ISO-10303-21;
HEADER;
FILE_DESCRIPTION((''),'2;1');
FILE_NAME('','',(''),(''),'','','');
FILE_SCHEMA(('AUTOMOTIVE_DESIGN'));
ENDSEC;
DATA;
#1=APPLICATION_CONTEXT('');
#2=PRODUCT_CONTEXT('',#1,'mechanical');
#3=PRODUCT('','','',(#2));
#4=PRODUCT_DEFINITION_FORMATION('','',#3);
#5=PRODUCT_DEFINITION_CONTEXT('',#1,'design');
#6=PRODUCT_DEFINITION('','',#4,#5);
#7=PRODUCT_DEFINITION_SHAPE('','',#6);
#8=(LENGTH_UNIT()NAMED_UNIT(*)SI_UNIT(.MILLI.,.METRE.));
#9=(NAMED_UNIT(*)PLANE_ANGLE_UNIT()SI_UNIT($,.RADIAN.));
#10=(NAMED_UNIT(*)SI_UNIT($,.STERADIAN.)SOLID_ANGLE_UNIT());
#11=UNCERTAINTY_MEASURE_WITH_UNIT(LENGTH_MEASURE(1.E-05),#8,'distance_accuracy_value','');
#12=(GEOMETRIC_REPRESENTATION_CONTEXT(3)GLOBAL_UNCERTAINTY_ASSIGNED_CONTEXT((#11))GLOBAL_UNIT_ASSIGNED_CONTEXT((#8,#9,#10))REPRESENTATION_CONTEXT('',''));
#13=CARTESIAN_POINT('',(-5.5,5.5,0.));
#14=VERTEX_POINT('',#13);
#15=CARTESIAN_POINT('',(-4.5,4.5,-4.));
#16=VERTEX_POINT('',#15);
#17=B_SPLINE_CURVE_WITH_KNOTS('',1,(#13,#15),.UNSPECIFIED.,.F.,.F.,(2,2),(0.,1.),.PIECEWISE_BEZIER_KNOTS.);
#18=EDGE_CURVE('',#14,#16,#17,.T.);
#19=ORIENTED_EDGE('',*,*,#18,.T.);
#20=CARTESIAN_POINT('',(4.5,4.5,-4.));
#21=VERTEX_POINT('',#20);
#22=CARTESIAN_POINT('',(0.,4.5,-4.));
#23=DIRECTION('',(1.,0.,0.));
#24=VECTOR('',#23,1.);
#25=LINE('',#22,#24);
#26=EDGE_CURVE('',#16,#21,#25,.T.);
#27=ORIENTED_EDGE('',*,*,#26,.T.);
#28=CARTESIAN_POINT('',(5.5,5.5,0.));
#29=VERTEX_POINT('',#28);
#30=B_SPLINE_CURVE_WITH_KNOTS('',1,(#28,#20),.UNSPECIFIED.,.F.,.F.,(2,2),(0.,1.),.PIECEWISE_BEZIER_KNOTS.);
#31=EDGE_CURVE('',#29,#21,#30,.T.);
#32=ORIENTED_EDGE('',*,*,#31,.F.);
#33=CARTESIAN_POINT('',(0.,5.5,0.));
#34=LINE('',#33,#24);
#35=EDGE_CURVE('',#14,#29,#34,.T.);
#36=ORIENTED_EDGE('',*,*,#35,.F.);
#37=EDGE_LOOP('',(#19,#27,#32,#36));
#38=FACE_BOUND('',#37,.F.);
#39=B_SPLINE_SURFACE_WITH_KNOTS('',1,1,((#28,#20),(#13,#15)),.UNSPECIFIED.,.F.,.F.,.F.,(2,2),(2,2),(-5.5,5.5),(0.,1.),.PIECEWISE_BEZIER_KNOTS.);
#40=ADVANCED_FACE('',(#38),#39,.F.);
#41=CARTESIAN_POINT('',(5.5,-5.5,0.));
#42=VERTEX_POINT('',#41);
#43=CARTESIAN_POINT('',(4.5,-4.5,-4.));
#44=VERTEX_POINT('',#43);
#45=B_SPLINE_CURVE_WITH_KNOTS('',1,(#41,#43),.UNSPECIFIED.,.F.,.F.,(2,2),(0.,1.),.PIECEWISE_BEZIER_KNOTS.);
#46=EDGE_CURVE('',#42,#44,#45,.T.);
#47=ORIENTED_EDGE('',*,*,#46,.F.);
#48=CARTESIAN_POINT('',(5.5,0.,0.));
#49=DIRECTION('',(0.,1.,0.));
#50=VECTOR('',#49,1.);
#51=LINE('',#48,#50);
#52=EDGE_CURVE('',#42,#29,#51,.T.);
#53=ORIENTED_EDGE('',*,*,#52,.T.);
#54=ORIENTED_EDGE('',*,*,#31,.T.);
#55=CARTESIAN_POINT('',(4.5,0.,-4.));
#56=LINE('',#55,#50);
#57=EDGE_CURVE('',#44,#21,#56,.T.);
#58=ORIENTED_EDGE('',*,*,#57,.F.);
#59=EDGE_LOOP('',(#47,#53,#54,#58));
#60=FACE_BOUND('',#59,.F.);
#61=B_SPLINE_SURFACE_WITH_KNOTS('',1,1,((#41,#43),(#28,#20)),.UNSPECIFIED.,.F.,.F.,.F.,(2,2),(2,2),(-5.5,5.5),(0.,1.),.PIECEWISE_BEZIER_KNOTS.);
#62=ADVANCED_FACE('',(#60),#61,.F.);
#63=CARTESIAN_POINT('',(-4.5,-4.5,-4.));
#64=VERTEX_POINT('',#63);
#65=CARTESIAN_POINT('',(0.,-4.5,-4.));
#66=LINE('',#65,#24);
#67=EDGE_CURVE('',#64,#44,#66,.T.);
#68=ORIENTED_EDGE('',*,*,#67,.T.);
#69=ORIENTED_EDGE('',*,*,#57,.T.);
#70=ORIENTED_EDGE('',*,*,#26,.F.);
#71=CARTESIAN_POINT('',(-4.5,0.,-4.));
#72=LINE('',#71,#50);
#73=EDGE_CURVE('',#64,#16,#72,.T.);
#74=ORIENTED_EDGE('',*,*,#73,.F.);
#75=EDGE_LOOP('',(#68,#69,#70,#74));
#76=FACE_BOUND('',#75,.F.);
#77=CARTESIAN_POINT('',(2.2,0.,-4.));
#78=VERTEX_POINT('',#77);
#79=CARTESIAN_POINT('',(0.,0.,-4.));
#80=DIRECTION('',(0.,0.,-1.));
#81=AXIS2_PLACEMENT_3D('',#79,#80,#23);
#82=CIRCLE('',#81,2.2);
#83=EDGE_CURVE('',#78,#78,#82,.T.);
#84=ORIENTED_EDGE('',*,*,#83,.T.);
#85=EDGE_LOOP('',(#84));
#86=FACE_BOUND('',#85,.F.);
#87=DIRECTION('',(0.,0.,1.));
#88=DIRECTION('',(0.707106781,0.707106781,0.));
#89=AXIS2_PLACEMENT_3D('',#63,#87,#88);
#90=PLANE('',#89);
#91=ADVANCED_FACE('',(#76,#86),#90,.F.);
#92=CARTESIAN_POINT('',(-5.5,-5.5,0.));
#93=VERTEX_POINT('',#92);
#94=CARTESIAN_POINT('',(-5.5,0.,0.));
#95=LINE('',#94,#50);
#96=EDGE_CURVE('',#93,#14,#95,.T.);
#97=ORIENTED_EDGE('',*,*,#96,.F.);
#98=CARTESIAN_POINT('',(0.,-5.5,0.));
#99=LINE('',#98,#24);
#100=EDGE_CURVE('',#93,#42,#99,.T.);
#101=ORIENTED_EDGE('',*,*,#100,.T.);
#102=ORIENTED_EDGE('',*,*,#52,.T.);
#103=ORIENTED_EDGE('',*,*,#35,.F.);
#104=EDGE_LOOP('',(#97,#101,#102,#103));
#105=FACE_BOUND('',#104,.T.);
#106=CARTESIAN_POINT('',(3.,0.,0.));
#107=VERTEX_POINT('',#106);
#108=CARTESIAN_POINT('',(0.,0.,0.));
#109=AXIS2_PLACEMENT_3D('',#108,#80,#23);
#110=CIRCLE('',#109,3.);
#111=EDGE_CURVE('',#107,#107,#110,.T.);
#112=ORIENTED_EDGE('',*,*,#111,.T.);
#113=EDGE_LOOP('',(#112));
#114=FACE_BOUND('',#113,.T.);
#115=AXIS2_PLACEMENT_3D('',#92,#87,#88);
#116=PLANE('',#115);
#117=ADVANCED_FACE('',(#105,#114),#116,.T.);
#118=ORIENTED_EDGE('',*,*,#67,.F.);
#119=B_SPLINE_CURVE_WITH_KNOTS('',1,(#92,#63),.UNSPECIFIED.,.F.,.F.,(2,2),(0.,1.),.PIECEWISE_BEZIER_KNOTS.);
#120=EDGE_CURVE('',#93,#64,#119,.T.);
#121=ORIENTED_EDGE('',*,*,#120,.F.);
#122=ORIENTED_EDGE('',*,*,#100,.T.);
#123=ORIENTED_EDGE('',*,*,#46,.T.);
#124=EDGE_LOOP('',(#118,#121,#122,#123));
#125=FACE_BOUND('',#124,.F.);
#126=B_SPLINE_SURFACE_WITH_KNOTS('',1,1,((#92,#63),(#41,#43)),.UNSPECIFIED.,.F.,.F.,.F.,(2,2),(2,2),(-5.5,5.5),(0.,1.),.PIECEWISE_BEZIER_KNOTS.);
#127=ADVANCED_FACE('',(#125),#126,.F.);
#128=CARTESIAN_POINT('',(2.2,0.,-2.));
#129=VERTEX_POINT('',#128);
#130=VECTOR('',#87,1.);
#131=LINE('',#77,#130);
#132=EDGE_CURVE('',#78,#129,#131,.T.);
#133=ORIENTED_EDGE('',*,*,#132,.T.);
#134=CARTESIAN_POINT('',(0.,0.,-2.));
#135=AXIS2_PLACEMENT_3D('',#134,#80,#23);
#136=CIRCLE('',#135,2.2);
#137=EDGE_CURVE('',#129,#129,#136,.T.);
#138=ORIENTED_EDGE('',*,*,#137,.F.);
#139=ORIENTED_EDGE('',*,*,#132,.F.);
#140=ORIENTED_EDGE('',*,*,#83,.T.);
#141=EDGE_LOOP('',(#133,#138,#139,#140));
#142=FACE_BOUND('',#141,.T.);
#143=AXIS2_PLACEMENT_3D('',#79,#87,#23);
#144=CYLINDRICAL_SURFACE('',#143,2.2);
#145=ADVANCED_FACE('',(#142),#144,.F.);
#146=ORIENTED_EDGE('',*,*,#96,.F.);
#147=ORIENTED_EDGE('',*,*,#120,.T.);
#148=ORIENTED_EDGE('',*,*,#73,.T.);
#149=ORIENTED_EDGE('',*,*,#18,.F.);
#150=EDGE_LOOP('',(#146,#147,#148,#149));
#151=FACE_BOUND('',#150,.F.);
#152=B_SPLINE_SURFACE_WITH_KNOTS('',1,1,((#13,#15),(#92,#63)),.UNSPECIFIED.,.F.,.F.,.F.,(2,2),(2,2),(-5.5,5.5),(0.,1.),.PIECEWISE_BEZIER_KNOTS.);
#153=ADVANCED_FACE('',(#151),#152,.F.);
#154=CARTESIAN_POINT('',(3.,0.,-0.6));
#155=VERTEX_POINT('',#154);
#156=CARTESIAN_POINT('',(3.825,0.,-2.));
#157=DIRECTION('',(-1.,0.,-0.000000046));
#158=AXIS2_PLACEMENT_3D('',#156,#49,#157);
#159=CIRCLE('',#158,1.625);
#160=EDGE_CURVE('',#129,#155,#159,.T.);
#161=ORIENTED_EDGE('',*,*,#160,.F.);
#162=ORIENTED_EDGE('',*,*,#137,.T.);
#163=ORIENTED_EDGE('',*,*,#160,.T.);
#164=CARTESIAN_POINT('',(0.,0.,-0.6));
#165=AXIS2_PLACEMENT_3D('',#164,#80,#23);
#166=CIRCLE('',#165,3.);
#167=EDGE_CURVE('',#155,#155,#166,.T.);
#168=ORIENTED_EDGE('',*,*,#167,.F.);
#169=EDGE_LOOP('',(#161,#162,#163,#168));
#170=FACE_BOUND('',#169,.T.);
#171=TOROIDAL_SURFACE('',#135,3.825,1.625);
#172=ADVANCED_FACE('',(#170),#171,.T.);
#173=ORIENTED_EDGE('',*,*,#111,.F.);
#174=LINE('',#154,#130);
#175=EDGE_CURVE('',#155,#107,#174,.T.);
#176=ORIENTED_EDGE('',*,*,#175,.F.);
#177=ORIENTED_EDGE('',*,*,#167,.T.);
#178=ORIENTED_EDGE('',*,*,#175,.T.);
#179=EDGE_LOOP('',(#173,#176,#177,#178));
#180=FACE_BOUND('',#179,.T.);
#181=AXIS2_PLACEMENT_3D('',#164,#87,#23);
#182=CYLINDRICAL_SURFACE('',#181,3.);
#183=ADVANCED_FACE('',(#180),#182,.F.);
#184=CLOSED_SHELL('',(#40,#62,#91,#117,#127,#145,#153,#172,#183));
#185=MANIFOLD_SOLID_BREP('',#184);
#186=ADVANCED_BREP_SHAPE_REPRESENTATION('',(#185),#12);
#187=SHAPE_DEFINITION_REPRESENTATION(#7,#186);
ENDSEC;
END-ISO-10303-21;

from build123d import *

# Parameters (mm, degrees)
F0_W = 11
F0_H = 11
F2_W = 9
F2_H = 9


with BuildPart() as f3:
    # F0 (on Top) → F3 section 0
    with BuildSketch(Plane.XY):
        Rectangle(F0_W, F0_H)
    # F2 (on offset) → F3 section 1
    with BuildSketch(Plane.XY.offset(-4)):
        Rectangle(F2_W, F2_H)
    loft()

    # F4 (on Front) → F5 (revolve, cut)
    with BuildSketch(Plane.XZ):
        with BuildLine():
            Line((0, -4), (2.2, -4))
            Line((2.2, -4), (2.2, -2))
            ThreePointArc((2.2, -2), (2.414105, -1.193774), (3, -0.6))
            Line((3, -0.6), (3, 0))
            Line((3, 0), (0, 0))
            Line((0, 0), (0, -4))
        make_face()
    revolve(axis=Axis((0, 0, -1.994932), (0, 0, -1)), mode=Mode.SUBTRACT)


solid = f3.part
